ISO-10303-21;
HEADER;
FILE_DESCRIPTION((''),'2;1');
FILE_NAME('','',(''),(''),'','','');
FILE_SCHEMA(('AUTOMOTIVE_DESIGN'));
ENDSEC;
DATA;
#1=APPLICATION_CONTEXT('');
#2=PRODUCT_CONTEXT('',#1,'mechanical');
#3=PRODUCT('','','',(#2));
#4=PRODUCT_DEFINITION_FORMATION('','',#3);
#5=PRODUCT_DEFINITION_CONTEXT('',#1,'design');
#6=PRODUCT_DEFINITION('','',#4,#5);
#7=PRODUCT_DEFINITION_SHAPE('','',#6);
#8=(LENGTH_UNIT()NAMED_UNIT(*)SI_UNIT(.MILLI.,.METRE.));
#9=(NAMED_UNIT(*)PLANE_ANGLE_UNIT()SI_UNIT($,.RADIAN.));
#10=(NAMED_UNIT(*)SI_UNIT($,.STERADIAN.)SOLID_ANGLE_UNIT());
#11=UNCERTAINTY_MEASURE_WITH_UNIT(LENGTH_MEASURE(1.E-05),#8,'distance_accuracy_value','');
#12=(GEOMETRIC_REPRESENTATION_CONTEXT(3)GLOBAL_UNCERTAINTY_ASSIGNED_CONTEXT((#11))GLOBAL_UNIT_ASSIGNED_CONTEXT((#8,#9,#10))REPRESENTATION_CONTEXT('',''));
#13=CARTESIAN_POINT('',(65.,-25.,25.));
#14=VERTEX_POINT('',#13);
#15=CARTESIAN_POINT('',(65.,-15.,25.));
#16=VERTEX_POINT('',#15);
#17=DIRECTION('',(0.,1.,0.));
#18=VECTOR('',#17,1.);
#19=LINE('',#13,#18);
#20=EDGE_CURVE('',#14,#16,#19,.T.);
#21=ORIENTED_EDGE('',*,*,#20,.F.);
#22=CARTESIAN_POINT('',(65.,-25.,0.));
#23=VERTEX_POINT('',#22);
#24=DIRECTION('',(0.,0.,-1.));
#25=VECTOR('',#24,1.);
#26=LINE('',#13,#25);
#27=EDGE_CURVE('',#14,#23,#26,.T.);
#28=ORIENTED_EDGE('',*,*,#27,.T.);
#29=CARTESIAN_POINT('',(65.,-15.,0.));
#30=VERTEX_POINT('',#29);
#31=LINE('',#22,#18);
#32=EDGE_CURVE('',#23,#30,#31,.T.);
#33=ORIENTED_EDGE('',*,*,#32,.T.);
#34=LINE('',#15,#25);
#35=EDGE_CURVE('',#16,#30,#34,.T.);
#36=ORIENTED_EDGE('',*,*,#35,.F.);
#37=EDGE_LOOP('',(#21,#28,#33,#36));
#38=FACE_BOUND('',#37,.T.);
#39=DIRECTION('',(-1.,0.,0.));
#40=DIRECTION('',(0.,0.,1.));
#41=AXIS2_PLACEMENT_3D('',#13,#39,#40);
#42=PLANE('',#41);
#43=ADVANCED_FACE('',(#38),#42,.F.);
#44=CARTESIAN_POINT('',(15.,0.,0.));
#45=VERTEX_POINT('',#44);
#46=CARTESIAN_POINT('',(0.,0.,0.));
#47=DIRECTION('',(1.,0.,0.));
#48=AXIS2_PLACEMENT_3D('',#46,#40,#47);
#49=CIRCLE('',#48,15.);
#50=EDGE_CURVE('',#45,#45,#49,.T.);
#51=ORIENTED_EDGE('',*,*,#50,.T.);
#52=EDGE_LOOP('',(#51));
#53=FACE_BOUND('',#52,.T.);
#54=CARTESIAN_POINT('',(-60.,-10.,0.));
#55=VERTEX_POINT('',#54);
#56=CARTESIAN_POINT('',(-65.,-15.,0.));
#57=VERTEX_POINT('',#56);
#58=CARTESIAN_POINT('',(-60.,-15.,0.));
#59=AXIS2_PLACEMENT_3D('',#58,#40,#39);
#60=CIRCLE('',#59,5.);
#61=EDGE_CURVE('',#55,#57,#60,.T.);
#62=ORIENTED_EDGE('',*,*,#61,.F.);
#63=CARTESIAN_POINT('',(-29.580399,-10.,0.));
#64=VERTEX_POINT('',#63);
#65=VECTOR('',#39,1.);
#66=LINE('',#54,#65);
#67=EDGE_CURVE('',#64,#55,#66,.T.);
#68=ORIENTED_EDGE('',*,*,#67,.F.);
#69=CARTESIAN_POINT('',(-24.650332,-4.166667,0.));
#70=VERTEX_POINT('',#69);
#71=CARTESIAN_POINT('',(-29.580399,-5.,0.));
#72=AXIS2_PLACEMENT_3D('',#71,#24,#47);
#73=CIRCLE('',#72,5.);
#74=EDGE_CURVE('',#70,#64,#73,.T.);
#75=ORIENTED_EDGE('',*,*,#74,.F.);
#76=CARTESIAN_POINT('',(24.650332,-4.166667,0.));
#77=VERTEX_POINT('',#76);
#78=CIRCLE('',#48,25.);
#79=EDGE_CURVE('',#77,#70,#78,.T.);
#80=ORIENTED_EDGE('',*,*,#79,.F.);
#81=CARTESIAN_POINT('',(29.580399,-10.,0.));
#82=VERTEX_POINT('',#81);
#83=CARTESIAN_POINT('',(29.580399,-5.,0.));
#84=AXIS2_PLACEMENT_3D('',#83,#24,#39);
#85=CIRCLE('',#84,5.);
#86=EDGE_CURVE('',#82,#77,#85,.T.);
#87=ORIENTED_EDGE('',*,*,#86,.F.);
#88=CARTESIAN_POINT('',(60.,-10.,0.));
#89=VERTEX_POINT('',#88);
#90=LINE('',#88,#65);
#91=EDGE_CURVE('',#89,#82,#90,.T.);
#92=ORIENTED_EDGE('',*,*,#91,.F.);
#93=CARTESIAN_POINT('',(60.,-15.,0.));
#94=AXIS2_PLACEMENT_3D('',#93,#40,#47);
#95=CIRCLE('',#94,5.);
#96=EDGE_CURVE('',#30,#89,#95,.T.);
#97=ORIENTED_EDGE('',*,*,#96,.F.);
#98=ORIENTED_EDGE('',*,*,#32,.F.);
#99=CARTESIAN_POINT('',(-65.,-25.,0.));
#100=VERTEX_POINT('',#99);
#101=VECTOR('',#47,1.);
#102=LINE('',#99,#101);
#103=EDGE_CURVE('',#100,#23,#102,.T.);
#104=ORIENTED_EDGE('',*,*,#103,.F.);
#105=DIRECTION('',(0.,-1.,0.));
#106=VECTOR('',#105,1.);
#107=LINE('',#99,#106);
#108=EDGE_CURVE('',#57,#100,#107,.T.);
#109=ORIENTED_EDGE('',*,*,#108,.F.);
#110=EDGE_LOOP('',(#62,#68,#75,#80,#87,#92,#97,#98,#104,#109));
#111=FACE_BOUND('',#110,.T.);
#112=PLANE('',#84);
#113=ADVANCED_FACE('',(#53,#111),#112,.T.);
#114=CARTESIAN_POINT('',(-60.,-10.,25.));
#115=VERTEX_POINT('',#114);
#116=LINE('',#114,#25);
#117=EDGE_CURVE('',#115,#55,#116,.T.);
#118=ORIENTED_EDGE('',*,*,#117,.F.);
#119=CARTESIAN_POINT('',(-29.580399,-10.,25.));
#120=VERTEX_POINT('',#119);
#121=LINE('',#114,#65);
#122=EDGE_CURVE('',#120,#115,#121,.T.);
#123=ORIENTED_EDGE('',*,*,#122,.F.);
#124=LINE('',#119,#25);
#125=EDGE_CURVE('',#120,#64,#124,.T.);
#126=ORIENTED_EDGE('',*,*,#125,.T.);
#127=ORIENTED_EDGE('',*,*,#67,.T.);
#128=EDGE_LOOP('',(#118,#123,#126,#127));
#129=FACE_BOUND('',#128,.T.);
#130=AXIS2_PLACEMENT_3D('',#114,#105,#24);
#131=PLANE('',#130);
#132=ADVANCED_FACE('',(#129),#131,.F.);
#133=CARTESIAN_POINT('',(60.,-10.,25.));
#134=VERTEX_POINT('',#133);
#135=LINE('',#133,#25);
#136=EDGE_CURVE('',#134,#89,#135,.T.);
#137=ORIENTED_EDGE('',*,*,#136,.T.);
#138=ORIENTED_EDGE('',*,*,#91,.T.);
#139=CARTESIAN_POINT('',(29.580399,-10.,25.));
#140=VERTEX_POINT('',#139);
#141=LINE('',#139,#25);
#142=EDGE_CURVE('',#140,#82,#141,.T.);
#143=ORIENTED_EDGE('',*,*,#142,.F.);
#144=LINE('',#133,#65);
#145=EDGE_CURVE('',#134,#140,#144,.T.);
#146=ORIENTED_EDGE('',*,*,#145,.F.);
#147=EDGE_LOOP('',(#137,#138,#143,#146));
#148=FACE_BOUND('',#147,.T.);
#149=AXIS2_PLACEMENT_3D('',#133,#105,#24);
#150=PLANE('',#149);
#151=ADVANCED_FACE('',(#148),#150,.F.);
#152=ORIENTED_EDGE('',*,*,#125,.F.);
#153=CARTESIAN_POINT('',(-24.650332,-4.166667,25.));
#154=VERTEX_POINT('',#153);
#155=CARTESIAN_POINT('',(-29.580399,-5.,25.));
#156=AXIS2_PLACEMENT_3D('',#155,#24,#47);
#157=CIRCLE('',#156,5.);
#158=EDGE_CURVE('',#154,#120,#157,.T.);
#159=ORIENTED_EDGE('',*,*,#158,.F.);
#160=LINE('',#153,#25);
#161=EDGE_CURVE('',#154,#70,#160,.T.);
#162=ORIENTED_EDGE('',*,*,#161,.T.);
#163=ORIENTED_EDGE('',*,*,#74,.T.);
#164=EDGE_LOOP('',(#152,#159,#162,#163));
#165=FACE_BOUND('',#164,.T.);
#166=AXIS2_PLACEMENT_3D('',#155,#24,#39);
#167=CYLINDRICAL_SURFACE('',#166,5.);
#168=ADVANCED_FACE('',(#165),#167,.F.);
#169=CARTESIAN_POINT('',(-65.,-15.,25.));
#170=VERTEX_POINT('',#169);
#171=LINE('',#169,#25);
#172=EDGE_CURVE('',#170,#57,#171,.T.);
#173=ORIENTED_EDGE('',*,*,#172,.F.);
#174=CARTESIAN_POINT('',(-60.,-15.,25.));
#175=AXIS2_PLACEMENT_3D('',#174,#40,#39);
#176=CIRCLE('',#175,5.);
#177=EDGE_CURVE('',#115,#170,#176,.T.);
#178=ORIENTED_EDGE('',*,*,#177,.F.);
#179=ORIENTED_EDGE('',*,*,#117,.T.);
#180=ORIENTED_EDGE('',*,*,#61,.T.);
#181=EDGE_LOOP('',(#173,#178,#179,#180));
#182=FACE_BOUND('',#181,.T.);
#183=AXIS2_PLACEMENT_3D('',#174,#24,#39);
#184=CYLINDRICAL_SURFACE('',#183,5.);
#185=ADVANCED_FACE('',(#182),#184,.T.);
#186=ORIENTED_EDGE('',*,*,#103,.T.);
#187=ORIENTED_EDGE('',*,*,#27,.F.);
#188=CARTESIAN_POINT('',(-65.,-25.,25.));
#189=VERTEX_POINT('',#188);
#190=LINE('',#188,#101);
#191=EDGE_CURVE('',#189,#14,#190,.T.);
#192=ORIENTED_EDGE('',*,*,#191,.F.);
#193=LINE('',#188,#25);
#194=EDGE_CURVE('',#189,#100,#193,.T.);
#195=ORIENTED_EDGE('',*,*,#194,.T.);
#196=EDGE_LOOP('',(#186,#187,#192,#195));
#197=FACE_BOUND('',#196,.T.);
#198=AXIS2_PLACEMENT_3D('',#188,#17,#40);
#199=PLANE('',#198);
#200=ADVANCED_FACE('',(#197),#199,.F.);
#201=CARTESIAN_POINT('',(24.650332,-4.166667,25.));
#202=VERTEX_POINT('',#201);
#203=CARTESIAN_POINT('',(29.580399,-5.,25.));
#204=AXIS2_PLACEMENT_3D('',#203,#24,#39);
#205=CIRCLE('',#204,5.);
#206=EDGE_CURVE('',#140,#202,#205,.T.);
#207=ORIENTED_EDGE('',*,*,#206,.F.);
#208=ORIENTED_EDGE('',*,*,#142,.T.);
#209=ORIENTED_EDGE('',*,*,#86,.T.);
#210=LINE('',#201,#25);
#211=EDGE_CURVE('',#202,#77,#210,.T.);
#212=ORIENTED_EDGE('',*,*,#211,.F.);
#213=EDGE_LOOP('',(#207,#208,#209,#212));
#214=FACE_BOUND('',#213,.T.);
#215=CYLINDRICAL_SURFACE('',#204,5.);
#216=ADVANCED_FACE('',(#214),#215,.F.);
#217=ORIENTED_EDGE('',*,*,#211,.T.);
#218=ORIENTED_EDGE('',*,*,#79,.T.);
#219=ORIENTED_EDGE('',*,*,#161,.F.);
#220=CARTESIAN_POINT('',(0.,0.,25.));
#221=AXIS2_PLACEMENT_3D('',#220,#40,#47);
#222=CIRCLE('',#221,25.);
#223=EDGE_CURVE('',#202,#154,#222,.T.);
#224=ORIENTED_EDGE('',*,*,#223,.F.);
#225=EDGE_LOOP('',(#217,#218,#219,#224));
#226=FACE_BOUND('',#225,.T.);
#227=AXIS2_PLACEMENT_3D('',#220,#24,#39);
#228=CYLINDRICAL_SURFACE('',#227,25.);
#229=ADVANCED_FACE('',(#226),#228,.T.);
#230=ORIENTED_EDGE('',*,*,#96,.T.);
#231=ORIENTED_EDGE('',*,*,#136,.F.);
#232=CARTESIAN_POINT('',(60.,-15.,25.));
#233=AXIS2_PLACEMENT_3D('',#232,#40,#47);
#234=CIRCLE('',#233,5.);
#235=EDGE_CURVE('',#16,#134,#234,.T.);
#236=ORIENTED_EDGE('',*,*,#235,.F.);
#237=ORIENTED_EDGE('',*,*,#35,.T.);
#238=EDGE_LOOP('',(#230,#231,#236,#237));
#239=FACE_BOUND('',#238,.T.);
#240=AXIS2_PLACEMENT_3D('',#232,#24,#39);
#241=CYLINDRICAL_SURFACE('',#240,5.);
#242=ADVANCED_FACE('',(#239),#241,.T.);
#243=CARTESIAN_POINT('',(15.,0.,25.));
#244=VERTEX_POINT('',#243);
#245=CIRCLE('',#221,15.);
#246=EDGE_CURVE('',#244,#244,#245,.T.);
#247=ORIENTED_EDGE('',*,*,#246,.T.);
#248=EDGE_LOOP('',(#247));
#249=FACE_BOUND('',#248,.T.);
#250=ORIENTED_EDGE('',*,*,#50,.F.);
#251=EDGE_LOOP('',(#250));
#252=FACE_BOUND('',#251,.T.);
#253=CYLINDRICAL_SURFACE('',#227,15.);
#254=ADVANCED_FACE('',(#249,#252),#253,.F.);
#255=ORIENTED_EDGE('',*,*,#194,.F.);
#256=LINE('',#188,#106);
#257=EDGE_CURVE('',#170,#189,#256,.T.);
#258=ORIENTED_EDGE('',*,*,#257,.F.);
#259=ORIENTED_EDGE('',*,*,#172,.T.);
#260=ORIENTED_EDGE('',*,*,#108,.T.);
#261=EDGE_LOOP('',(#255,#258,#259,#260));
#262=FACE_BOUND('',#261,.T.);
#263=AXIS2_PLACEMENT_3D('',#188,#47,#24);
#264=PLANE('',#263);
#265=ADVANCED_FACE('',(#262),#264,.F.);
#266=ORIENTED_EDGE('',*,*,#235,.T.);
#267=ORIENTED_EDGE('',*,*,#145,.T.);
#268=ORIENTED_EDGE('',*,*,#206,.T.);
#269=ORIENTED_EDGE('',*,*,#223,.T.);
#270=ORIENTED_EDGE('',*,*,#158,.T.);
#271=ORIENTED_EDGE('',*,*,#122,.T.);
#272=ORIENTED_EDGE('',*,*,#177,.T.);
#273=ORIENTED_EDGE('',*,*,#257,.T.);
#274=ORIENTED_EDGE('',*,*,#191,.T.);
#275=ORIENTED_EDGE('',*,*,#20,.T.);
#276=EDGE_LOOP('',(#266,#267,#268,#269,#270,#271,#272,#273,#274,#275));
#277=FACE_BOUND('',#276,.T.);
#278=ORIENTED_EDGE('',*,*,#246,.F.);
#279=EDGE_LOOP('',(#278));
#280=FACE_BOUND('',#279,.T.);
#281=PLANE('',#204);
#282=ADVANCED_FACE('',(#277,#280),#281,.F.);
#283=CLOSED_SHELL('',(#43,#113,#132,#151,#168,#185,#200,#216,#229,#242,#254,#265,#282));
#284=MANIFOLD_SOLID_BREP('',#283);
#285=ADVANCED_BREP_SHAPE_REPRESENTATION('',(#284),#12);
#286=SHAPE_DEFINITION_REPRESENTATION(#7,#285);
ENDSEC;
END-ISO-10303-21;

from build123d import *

# Parameters (mm, degrees)
SKETCH1_R           = 15
BOSS_EXTRUDE1_DEPTH = 25


with BuildPart() as part:
    # Sketch1 → Boss-Extrude1 (new body)
    with BuildSketch(Plane.XY):
        with BuildLine():
            Line((-65, -25), (-65, -15))
            ThreePointArc((-65, -15), (-63.535533906, -11.464466094), (-60, -10))
            Line((-60, -10), (-29.580398915, -10))
            ThreePointArc((-29.580398915, -10), (-25.761585836, -8.227486122), (-24.65033243, -4.166666667))
            ThreePointArc((-24.65033243, -4.166666667), (0, 25), (24.65033243, -4.166666667))
            ThreePointArc((24.65033243, -4.166666667), (25.761585836, -8.227486122), (29.580398915, -10))
            Line((29.580398915, -10), (60, -10))
            ThreePointArc((60, -10), (63.535533906, -11.464466094), (65, -15))
            Line((65, -15), (65, -25))
            Line((65, -25), (-65, -25))
        make_face()
        Circle(SKETCH1_R, mode=Mode.SUBTRACT)
    extrude(amount=BOSS_EXTRUDE1_DEPTH)


solid = part.part
